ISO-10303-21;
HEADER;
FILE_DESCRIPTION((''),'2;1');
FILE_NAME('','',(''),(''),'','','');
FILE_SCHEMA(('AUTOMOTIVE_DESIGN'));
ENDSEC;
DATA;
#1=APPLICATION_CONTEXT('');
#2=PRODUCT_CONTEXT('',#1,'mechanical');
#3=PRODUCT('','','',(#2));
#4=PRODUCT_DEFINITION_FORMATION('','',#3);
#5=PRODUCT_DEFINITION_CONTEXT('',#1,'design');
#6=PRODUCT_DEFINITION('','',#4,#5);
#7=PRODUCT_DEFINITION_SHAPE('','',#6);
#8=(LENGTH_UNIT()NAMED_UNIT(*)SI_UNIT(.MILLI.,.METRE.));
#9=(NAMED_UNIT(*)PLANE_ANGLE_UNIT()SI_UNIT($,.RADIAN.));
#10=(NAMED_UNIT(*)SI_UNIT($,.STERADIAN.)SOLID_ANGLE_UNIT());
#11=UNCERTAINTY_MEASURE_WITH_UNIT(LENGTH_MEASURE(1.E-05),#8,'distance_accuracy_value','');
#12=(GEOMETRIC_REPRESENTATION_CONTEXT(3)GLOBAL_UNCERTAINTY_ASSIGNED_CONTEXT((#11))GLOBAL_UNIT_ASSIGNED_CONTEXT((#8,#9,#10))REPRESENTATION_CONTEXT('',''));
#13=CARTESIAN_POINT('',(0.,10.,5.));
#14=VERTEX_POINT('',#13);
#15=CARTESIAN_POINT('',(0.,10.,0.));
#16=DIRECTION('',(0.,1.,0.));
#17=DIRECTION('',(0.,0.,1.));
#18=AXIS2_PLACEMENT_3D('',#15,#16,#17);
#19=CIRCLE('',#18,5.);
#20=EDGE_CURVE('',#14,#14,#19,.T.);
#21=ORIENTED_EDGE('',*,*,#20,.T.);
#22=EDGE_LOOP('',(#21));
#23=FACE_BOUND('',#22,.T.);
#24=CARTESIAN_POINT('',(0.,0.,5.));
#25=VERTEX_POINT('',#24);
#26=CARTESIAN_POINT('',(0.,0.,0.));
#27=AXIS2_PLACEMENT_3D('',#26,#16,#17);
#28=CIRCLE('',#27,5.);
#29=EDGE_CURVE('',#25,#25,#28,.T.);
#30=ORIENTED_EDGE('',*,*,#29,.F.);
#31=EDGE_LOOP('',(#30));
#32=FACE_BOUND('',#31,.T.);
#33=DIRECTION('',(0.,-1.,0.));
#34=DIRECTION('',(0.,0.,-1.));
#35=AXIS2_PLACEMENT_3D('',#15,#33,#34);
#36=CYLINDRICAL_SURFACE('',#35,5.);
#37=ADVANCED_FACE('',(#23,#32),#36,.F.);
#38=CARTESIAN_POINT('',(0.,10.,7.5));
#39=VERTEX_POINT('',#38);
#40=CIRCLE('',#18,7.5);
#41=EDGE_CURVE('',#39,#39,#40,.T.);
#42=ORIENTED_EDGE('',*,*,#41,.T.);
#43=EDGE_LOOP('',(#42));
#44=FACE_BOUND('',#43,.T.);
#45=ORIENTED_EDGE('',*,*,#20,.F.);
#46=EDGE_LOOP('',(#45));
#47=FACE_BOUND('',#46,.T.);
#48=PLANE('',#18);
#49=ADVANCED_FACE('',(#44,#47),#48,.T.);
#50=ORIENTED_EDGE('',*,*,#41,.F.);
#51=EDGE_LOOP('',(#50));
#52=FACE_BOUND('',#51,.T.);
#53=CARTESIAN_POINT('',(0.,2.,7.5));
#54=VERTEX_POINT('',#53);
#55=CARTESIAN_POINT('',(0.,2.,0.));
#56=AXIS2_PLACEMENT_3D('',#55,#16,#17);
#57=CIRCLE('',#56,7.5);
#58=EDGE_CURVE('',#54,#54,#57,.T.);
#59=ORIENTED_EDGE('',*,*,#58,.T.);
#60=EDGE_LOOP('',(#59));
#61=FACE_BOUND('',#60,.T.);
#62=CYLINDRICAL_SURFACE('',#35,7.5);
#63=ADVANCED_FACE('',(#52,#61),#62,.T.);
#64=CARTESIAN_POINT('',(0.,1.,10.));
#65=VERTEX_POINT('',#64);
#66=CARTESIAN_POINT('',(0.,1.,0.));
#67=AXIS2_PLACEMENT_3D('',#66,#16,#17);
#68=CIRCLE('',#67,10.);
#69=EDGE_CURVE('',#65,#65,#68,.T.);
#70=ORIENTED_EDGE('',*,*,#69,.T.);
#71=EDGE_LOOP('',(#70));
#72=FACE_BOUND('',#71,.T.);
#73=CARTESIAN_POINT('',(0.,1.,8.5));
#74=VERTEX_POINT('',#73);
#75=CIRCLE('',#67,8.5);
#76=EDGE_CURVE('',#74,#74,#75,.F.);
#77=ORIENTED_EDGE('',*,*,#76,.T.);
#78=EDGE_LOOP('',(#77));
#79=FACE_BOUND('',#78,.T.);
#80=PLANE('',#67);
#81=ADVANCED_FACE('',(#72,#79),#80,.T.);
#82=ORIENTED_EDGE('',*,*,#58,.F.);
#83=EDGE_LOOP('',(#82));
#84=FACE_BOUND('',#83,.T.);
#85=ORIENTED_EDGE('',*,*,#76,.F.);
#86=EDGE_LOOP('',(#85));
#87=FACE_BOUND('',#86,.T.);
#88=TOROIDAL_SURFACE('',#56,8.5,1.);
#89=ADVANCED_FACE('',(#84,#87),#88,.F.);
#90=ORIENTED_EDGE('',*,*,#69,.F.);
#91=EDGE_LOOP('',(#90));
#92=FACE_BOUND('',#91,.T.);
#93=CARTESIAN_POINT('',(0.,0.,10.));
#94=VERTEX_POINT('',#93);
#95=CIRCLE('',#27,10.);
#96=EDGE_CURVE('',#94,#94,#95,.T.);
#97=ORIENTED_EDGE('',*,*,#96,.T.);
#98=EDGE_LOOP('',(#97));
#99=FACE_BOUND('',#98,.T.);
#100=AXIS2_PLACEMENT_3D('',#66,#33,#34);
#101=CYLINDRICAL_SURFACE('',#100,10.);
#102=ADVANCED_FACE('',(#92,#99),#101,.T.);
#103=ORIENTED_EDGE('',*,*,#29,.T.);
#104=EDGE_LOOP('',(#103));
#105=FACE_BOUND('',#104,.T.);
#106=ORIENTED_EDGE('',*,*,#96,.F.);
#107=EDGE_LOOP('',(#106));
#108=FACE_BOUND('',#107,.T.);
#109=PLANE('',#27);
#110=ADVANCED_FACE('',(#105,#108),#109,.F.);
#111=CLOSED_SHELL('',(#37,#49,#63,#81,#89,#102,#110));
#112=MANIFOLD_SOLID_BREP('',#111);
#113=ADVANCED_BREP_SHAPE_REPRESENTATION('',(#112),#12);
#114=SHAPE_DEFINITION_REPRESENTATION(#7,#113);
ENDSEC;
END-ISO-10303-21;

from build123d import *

# Parameters (mm, degrees)
SKETCH1_R           = 10
SKETCH1_R_2         = 7.5
BOSS_EXTRUDE1_DEPTH = 1
SKETCH1_3_R         = 7.5
SKETCH1_3_R_2       = 5
BOSS_EXTRUDE2_DEPTH = 10
FILLET1_R           = 1


with BuildPart() as part:
    # Sketch1 → Boss-Extrude1 (new body)
    with BuildSketch(Plane(origin=(0, 0, 0), x_dir=(-1, 0, 0), z_dir=(0, 1, 0))):
        Circle(SKETCH1_R)
        Circle(SKETCH1_R_2, mode=Mode.SUBTRACT)
    extrude(amount=BOSS_EXTRUDE1_DEPTH)

    # Sketch1<3> → Boss-Extrude2 (add)
    with BuildSketch(Plane(origin=(0, 0, 0), x_dir=(-1, 0, 0), z_dir=(0, 1, 0))):
        Circle(SKETCH1_3_R)
        Circle(SKETCH1_3_R_2, mode=Mode.SUBTRACT)
    extrude(amount=BOSS_EXTRUDE2_DEPTH)

    # Fillet1
    fillet1_edges = [part.edges().sort_by_distance(p)[0] for p in [
        (7.5, 1, 0),
    ]]
    fillet(fillet1_edges, radius=FILLET1_R)


solid = part.part
